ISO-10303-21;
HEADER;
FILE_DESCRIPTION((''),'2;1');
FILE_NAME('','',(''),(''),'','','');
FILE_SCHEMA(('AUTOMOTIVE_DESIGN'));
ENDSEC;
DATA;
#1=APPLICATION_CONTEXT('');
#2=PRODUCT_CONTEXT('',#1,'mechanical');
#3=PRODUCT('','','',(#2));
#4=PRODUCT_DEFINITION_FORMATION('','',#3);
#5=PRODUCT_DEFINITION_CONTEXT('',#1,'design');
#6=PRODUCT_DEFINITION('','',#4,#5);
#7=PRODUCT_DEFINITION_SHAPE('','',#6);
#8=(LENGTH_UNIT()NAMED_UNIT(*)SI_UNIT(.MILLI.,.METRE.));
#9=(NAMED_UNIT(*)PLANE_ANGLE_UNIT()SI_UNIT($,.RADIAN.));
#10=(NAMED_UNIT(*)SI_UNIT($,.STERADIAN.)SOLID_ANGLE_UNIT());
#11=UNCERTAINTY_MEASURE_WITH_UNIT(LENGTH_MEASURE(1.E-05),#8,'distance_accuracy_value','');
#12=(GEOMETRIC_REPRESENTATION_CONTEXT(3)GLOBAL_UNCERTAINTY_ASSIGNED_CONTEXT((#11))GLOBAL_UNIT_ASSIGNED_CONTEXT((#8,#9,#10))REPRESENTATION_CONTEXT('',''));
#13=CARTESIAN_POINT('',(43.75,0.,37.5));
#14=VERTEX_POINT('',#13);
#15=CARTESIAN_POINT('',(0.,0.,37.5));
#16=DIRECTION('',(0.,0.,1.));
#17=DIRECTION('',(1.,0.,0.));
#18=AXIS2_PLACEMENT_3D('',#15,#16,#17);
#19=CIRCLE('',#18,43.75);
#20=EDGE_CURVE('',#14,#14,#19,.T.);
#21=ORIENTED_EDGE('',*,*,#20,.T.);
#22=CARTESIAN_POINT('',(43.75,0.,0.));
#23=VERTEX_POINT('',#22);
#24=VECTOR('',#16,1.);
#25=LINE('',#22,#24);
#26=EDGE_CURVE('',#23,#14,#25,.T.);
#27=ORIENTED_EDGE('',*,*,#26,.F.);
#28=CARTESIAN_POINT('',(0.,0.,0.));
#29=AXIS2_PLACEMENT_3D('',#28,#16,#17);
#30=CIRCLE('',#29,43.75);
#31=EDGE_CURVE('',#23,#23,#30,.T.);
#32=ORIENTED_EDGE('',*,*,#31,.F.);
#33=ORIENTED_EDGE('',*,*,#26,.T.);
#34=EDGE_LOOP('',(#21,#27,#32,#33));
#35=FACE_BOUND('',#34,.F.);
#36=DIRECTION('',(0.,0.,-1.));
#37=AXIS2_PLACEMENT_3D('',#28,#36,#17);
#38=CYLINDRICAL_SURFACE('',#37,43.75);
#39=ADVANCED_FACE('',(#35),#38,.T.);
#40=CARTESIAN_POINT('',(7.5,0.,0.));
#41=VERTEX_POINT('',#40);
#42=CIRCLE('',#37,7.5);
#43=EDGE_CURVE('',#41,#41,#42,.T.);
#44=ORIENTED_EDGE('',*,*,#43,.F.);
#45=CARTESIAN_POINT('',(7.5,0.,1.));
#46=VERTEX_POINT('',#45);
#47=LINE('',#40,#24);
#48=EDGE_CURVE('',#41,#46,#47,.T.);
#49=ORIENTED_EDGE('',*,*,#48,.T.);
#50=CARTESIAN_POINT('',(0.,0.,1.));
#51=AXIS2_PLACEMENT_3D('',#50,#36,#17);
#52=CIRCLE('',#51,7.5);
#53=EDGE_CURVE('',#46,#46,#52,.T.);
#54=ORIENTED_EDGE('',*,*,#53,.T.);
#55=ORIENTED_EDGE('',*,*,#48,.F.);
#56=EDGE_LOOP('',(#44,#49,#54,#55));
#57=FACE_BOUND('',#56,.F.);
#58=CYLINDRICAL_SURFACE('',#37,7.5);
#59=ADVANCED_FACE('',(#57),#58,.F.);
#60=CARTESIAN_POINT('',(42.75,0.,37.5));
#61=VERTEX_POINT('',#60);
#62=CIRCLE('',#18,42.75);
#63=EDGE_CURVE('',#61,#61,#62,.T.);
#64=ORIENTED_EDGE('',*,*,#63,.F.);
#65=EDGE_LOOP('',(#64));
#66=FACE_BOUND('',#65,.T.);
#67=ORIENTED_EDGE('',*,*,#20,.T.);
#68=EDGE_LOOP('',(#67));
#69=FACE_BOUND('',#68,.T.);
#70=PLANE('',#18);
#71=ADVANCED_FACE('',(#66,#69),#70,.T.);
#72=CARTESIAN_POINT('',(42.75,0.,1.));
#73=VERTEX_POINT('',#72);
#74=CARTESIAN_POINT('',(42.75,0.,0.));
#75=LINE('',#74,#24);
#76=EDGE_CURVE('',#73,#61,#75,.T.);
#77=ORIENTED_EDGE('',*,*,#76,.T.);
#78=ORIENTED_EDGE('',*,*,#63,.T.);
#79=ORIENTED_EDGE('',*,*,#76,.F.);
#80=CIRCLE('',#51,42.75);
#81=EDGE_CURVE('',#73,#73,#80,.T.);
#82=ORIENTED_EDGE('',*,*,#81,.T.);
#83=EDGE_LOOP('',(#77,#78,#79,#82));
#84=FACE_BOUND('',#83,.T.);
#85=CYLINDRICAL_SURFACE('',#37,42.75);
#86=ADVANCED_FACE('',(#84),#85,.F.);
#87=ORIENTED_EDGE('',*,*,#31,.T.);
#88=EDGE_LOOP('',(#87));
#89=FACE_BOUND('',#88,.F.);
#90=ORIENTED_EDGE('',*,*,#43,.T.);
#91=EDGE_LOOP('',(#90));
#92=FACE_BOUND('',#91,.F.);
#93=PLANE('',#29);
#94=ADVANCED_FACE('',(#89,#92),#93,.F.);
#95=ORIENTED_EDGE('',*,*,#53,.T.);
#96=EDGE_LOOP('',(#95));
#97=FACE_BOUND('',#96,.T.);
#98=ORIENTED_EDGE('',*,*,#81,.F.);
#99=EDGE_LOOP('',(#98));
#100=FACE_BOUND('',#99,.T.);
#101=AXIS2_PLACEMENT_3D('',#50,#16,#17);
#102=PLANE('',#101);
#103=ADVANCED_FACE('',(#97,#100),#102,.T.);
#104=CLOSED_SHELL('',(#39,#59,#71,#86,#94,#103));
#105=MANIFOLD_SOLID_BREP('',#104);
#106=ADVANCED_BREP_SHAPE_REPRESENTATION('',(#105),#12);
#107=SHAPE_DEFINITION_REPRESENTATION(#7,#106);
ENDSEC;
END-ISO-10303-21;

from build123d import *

# Parameters (mm, degrees)
F0_R     = 43.75
F1_DEPTH = 37.5
F2_T     = -1
F3_R     = 7.5
F4_DEPTH = 25.4


with BuildPart() as f1:
    # F0 (on Top) → F1 (new body)
    with BuildSketch(Plane.XY):
        Circle(F0_R)
    extrude(amount=F1_DEPTH)

    # F2
    f2_openings = [f1.faces().sort_by_distance(p)[0] for p in [
        (0, 0, 37.5),
    ]]
    offset(amount=F2_T, openings=f2_openings)

    # F3 (on face) → F4 (cut)
    with BuildSketch(Plane(origin=(0, 0, 0), x_dir=(1, 0, 0), z_dir=(0, 0, -1))):
        Circle(F3_R)
    extrude(amount=-F4_DEPTH, mode=Mode.SUBTRACT)


solid = f1.part
